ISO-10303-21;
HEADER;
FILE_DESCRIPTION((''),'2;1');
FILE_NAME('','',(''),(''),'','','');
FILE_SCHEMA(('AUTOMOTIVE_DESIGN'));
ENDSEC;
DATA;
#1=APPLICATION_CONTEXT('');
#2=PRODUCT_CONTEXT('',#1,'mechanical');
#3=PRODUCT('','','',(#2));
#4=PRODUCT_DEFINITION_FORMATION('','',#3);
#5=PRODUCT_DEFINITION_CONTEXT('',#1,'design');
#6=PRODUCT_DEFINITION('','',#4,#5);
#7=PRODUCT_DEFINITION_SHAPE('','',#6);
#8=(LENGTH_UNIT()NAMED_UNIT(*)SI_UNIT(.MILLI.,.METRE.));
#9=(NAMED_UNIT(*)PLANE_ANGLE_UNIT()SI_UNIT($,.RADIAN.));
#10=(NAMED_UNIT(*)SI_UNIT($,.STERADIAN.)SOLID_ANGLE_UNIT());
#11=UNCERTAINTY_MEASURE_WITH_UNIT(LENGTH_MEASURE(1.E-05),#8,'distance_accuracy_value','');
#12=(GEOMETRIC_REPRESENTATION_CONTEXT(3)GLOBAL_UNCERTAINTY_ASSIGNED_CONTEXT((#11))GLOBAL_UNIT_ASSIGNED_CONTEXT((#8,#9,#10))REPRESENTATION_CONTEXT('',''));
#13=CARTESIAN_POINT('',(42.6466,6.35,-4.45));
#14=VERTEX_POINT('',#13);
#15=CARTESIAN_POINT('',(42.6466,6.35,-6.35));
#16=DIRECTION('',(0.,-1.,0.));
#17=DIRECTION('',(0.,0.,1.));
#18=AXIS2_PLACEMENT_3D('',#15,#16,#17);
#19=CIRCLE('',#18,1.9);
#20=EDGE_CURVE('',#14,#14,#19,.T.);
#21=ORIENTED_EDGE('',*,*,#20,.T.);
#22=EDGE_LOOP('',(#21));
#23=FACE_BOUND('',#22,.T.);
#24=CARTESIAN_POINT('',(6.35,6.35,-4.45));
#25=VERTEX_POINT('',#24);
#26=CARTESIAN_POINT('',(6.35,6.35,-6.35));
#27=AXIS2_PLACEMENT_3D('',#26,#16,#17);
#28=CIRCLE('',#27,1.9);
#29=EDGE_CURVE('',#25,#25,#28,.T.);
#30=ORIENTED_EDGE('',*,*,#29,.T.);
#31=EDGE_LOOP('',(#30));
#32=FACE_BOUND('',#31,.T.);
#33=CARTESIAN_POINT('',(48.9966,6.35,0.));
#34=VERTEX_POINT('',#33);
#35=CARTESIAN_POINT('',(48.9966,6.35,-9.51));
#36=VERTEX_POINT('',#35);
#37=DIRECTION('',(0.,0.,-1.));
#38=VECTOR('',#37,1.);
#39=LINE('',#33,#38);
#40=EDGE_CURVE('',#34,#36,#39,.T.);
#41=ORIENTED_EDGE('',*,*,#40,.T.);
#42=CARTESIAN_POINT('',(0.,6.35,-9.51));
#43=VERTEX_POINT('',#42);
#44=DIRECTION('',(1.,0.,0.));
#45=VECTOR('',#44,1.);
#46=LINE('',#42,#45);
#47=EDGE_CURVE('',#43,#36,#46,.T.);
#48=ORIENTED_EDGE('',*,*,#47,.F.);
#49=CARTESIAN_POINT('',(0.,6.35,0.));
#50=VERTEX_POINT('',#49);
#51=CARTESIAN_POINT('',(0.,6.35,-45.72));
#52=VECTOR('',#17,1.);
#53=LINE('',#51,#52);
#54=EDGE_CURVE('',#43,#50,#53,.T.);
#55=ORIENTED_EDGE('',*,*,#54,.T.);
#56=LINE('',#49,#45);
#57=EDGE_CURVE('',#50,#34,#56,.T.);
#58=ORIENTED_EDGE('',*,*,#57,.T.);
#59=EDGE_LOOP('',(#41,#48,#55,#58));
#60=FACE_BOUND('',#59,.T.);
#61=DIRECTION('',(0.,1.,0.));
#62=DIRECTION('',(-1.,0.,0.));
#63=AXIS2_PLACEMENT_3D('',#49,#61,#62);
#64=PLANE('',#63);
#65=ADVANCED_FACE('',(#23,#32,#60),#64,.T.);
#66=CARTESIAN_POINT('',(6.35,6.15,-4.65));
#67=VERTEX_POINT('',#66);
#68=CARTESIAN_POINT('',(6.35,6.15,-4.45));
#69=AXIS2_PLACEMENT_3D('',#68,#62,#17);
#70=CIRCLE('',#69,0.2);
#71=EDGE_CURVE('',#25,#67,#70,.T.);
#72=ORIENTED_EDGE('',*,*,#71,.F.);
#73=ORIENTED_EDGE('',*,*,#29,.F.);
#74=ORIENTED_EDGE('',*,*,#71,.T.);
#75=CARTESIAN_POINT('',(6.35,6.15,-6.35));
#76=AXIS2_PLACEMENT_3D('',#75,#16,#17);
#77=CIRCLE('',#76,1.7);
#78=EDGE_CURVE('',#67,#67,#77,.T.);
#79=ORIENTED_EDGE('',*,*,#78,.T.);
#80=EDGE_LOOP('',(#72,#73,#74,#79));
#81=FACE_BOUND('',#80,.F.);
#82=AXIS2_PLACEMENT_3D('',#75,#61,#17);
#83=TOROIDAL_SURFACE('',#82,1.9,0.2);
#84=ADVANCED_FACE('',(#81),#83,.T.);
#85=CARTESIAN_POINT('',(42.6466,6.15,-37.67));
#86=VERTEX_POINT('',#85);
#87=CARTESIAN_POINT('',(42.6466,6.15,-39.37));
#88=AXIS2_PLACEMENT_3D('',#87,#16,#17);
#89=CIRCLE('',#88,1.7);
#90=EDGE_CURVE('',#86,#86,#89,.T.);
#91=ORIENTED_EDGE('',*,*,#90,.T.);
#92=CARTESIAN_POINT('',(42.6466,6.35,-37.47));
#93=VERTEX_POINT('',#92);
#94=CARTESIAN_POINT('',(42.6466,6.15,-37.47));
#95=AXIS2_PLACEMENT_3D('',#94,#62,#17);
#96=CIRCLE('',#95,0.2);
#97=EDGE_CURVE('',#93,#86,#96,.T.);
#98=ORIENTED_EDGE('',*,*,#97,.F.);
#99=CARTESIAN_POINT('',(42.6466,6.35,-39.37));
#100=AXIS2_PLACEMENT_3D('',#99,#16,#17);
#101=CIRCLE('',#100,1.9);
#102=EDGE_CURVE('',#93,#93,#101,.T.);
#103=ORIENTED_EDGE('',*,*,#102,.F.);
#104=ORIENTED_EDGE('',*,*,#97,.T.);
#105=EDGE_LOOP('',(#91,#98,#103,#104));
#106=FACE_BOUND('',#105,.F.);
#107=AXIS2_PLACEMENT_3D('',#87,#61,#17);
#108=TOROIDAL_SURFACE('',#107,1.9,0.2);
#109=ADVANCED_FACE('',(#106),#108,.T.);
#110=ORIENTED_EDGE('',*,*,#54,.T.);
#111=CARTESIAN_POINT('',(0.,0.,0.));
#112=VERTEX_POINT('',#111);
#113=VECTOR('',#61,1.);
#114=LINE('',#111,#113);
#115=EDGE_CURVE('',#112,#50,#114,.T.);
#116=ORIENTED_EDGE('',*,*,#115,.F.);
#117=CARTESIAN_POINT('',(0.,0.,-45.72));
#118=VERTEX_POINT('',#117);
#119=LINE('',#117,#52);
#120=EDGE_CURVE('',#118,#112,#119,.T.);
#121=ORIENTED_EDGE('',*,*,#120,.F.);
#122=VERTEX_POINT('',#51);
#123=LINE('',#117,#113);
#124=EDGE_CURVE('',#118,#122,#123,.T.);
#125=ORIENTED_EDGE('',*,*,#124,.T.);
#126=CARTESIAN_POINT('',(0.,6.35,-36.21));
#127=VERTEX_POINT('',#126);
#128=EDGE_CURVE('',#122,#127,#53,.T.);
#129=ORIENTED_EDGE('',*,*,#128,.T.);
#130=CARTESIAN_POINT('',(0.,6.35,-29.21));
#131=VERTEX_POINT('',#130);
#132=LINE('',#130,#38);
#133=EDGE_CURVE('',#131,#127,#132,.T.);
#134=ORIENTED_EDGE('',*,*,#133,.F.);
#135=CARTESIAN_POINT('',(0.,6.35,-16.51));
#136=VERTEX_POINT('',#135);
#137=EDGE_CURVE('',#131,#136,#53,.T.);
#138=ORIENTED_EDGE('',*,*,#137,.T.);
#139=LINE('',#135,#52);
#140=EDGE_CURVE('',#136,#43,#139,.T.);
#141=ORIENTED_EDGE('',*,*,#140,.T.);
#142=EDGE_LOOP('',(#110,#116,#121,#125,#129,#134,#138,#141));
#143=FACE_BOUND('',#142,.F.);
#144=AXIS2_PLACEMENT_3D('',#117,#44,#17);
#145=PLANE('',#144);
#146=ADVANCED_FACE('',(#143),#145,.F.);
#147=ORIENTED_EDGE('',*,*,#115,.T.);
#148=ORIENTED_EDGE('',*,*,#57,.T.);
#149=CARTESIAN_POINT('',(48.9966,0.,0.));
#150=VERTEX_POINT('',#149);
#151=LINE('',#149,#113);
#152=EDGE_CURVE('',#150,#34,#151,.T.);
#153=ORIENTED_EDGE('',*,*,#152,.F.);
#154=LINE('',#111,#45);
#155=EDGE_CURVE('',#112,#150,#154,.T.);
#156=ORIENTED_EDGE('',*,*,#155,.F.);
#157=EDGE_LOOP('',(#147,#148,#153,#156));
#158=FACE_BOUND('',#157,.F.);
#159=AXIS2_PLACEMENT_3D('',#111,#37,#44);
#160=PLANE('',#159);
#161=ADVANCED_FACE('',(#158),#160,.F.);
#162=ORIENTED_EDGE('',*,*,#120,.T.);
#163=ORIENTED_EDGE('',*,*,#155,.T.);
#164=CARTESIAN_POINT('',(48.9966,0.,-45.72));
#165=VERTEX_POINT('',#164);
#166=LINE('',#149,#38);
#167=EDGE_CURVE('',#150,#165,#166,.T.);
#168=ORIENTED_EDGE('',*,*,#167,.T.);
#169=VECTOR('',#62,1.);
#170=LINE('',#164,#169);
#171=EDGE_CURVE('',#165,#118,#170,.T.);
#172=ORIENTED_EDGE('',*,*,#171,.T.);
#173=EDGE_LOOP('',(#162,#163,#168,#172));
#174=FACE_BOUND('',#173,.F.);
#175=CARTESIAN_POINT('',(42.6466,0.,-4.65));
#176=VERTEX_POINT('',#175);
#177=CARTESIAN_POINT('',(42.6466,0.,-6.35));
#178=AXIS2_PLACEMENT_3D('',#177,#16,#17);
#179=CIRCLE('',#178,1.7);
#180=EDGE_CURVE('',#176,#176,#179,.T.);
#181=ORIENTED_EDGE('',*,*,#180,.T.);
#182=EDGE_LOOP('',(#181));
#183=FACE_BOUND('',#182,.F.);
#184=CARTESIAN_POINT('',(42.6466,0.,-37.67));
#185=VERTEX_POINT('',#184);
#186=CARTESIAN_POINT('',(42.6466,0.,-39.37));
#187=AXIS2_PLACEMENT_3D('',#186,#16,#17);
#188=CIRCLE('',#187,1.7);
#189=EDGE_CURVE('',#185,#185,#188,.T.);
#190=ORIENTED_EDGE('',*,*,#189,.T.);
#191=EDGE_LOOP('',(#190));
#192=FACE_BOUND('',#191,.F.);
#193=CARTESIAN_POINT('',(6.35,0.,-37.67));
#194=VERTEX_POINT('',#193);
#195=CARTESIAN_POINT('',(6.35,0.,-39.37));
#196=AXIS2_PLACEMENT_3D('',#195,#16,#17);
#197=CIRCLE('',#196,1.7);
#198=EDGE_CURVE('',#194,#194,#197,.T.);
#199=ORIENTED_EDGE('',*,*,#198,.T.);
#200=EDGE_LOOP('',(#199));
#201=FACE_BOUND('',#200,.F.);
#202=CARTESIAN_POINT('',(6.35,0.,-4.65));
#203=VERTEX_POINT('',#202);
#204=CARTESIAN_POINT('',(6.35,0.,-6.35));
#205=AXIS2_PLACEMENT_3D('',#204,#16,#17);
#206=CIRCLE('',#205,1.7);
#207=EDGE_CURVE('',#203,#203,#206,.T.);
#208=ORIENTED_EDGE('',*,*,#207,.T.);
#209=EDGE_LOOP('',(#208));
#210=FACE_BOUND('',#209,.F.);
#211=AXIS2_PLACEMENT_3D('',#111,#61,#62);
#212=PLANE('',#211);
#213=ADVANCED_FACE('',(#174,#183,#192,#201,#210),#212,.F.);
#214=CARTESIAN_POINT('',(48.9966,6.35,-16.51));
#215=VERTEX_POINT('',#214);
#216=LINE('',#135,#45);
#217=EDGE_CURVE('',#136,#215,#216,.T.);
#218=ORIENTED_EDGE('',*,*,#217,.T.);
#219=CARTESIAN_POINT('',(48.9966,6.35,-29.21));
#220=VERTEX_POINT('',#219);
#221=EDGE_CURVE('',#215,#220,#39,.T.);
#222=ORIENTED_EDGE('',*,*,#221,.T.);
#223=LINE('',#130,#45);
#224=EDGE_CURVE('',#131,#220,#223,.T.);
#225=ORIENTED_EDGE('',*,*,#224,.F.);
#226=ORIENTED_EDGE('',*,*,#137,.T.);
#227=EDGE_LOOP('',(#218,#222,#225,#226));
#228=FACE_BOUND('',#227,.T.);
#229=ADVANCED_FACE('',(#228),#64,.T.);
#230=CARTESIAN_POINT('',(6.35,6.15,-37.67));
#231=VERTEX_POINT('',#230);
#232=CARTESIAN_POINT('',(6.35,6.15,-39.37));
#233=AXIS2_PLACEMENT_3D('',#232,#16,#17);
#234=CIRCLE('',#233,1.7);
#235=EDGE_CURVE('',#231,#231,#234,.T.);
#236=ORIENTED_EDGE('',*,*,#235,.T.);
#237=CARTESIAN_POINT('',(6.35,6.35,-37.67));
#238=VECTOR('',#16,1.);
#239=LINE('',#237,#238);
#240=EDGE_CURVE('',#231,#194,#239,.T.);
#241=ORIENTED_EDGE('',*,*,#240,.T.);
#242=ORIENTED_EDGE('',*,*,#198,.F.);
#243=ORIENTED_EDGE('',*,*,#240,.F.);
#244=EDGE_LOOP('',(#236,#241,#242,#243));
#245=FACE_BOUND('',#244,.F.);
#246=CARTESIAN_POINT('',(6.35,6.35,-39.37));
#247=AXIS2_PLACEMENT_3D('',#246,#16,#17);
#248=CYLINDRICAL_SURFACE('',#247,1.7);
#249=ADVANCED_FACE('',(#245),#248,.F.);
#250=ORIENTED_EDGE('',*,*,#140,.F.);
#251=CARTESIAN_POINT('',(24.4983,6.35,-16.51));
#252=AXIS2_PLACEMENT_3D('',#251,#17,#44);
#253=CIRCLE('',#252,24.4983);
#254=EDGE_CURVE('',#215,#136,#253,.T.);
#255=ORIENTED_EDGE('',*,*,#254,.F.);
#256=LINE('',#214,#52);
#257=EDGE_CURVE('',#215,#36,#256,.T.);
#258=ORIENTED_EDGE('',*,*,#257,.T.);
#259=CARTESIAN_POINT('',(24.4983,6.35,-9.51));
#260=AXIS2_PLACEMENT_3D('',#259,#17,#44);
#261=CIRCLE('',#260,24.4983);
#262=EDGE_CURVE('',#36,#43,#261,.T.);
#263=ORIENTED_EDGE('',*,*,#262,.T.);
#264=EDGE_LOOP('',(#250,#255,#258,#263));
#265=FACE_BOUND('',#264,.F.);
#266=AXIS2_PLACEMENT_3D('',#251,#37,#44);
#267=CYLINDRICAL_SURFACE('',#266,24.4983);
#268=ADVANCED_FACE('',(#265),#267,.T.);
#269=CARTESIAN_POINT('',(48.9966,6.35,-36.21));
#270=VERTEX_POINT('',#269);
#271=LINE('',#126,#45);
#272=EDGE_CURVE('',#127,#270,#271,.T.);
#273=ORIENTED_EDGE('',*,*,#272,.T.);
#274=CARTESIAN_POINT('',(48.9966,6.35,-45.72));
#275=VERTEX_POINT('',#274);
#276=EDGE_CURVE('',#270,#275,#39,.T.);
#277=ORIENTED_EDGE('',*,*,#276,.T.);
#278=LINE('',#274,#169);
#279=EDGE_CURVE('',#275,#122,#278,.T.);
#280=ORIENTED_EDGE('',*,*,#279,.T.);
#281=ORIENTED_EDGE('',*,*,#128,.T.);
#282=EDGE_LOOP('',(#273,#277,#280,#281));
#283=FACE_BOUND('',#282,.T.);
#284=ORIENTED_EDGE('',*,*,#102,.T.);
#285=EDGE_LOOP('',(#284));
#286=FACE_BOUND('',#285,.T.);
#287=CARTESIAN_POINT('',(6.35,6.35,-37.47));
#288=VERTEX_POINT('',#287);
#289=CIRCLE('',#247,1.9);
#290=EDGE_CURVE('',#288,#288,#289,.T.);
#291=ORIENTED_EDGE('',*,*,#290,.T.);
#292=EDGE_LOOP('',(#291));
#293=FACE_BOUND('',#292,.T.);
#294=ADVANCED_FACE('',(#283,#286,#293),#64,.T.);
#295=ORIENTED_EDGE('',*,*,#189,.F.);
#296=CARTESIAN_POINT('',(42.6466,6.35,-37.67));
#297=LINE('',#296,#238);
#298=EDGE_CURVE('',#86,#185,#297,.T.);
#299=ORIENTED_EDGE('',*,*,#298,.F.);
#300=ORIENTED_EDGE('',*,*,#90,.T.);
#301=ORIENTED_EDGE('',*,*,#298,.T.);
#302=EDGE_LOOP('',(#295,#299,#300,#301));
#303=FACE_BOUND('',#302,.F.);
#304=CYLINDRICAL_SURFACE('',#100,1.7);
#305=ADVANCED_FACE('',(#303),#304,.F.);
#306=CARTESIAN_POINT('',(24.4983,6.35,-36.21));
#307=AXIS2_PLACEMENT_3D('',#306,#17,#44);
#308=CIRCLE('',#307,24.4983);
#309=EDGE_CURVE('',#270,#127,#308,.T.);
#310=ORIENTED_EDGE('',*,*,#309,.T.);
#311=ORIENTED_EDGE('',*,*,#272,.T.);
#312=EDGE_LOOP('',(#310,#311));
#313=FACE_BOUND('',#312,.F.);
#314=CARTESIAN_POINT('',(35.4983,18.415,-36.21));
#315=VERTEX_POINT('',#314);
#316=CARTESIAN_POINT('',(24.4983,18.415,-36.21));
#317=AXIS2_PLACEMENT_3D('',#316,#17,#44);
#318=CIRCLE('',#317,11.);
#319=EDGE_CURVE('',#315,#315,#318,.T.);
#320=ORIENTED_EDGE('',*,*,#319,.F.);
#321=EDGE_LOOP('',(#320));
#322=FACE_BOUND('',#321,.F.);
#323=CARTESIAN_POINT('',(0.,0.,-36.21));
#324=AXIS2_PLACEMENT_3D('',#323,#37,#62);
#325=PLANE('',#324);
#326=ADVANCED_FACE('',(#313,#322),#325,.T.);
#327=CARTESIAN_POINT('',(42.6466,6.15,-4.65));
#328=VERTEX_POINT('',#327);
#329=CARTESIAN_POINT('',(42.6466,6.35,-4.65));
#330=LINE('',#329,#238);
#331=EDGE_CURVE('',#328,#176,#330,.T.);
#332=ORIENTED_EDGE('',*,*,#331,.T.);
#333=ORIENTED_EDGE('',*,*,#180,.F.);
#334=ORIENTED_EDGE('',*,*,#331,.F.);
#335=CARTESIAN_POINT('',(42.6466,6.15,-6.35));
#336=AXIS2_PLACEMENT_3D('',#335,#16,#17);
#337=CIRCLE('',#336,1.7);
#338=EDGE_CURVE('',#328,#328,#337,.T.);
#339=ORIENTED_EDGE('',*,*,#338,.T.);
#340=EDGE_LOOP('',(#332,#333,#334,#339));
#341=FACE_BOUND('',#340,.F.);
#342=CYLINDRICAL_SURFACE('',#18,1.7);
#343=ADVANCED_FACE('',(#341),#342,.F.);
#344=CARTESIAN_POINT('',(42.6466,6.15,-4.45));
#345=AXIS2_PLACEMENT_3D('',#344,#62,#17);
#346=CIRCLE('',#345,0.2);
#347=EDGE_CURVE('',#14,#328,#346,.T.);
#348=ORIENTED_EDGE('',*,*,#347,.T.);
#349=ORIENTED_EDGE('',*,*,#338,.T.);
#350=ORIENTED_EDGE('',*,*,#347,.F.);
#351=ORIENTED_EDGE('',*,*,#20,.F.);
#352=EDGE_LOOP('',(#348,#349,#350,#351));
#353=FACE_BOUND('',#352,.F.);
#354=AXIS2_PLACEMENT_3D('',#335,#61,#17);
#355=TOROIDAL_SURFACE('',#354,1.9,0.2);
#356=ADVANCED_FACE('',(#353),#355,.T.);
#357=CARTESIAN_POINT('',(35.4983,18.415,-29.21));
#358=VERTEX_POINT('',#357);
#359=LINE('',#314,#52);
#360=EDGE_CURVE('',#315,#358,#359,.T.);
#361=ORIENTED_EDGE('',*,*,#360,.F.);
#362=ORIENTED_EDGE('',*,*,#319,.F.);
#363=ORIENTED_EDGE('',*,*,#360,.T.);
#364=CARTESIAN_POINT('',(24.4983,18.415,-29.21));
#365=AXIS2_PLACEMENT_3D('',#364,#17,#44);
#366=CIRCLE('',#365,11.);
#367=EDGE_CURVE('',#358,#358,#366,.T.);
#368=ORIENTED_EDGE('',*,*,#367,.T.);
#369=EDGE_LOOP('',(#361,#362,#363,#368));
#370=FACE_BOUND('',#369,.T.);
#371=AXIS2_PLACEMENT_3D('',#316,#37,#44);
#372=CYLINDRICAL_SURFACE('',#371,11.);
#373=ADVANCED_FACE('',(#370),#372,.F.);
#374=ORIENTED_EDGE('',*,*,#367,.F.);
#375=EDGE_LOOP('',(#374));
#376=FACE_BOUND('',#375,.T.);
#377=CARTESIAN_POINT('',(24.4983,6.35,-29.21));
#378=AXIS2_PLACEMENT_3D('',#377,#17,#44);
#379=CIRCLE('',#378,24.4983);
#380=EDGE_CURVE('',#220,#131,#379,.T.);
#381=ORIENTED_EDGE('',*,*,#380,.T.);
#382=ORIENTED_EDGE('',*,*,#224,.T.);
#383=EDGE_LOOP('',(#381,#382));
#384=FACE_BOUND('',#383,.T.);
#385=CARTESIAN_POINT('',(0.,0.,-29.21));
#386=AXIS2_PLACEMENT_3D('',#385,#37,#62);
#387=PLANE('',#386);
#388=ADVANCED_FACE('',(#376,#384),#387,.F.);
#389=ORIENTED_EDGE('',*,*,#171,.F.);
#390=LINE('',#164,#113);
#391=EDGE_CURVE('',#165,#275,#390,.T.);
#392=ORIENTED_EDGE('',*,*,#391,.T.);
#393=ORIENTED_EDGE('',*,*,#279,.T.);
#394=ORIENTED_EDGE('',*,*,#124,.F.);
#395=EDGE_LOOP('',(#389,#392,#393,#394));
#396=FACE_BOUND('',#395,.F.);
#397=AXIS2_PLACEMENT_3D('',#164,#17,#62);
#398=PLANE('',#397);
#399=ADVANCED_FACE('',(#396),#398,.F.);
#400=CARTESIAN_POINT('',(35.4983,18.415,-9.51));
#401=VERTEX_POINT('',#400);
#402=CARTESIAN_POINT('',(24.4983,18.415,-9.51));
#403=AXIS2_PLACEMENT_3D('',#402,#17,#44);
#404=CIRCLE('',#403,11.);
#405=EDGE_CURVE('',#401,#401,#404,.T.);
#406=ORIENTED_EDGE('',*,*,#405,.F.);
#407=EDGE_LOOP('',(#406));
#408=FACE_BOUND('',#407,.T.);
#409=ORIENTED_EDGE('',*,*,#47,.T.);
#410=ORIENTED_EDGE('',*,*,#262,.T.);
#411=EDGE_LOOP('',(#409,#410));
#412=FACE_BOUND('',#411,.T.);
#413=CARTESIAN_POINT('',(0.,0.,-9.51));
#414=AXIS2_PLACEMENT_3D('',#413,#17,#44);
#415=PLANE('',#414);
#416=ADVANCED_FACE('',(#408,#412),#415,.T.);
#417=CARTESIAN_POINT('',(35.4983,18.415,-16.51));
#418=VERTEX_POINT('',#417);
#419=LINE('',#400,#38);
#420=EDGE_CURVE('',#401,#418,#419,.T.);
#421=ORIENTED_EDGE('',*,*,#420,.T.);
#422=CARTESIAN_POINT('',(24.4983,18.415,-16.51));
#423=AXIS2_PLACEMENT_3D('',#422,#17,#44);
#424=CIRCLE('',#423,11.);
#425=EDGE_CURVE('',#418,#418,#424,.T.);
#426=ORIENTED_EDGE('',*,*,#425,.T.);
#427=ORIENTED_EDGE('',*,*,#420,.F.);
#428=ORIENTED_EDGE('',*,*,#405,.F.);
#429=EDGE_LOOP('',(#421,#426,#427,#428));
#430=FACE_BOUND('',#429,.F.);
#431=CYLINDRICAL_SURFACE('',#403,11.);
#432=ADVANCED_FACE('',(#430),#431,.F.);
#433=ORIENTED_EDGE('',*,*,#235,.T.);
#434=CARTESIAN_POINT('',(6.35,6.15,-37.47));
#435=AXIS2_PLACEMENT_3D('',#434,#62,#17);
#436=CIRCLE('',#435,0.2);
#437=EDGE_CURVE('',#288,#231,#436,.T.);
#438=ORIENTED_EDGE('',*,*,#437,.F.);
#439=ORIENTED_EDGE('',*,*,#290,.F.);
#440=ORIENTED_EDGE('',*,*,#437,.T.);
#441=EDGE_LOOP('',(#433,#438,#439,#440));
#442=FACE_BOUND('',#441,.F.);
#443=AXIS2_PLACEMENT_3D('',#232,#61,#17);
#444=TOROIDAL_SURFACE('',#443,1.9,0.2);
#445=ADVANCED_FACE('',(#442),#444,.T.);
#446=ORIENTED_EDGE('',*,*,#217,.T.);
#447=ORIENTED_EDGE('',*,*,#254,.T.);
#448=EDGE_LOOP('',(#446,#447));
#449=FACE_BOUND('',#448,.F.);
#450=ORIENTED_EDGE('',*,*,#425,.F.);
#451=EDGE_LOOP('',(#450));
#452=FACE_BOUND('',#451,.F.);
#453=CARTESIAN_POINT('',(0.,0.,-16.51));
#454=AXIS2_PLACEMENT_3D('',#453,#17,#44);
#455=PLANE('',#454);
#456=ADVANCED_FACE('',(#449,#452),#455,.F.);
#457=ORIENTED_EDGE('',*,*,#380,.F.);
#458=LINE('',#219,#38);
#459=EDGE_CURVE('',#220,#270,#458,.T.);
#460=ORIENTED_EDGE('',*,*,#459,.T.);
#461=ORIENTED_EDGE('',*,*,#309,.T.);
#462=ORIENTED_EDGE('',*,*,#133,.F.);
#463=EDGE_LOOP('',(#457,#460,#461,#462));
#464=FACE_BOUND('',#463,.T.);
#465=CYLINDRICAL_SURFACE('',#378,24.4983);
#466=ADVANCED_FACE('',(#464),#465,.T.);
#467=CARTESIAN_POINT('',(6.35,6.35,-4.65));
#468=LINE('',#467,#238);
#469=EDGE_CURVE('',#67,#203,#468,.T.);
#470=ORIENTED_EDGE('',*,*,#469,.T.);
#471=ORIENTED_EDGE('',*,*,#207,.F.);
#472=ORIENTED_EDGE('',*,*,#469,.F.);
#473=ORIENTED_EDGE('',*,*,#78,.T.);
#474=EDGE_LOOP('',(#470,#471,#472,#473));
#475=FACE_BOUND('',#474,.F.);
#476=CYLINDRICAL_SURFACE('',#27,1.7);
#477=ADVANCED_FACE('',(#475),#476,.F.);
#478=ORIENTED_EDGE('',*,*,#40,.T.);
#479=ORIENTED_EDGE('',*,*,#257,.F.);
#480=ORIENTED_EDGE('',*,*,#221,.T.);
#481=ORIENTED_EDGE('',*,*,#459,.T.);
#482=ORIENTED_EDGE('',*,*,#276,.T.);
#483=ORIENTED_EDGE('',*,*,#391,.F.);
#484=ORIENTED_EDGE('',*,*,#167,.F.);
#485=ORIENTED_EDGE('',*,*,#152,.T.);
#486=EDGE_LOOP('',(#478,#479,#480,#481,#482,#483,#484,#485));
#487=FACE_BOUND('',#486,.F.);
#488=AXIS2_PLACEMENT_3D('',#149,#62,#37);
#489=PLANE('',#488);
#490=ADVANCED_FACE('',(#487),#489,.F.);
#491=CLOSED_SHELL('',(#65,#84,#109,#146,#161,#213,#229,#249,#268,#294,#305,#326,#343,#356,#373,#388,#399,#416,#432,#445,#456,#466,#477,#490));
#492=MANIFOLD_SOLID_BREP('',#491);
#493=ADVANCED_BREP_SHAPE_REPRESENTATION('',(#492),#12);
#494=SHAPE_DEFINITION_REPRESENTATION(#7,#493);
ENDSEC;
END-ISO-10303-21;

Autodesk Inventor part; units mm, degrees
ref_plane "YZ Plane" through (0, 0, 0) normal (1, 0, 0) x (0, 1, 0)
sketch "Sketch1" plane through (0, 0, 0) normal (0, 1, 0) x (-1, 0, 0)
  line L0 (0, 0) -> (-48.9966, 0)
  line L1 (-48.9966, 0) -> (-48.9966, -45.72)
  line L2 (-48.9966, -45.72) -> (0, -45.72)
  line L3 (0, -45.72) -> (0, 0)
  dimension "d0" = 48.9966
  dimension "d1" = 45.72
extrude "Extrusion1" add sketch "Sketch1" along normal blind 6.35
sketch "Sketch3" plane through (0, 6.35, 0) normal (0, 1, 0) x (1, 0, 0)
  line L0 (0, 45.72) -> (0, 0) projected
  line L1 (48.9966, 0) -> (48.9966, 45.72) projected
  line L2 (0, 29.21) -> (48.9966, 29.21)
  line L3 (48.9966, 29.21) -> (48.9966, 16.51)
  line L4 (48.9966, 16.51) -> (0, 16.51)
  line L5 (0, 16.51) -> (0, 29.21)
  line L6 (48.9966, 45.72) -> (0, 45.72) projected
  dimension "d4" = 12.7
  dimension "d5" = 16.51
sketch "Sketch4" plane through (0, 6.35, 0) normal (0, 1, 0) x (1, 0, 0)
  circle A0 centre (6.35, 39.37) radius 2.1364
  circle A1 centre (42.6466, 39.37) radius 3.0733
  line L0 (48.9966, 45.72) -> (0, 45.72) projected
  line L1 (48.9966, 0) -> (48.9966, 45.72) projected
  line L2 (0, 45.72) -> (0, 0) projected
  circle A2 centre (6.35, 6.35) radius 2.2799
  circle A3 centre (42.6466, 6.35) radius 1.194
  line L3 (0, 0) -> (48.9966, 0) projected
  dimension "d6" = 6.1465
  dimension "d7" = 6.35
  dimension "d8" = 6.35
  dimension "d9" = 6.35
  dimension "d10" = 6.35
  dimension "d11" = 6.35
  dimension "d12" = 6.35
  dimension "d13" = 6.35
  dimension "d14" = 6.35
hole "Hole1" at (6.35, 6.35, -39.37) at (42.6466, 6.35, -39.37) at (42.6466, 6.35, -6.35) at (6.35, 6.35, -6.35) direction (0, -1, 0) diameter 3.4 depth 10 tip angle 118 clearance for "Socket Head Cap Screw" size "M3" standard "Ansi Metric M Profile"
fillet "Fillet1" radius 0.2 4 edges at (42.6466, 6.35, -41.07) (6.35, 6.35, -41.07) (42.6466, 6.35, -8.05) (6.35, 6.35, -8.05)
ref_plane "Work Plane1" through (0, 0, -16.51) normal (0, 0, 1) x (1, 0, 0)
sketch "Sketch5" plane through (0, 0, -16.51) normal (0, 0, 1) x (1, 0, 0)
  line L0 (0, 6.35) -> (48.9966, 6.35)
  line L1 (48.9966, 6.35) -> (0, 6.35) projected
  arc A0 (48.9966, 6.35) -> (0, 6.35) centre (24.4983, 6.35) ccw
  point P0 (0, 0)
extrude "Extrusion2" add sketch "Sketch5" along normal blind 7
ref_plane "Work Plane2" through (0, 0, -22.86) normal (0, 0, 1) x (1, 0, 0)
mirror "Mirror1" about plane through (0, 0, -22.86) normal (0, 0, 1) of "Extrusion2"
sketch "Sketch6" plane through (0, 0, -9.51) normal (0, 0, 1) x (1, 0, 0)
  circle A0 centre (24.4983, 18.415) radius 11
  line L0 (0, 6.35) -> (48.9966, 6.35) projected
  point P0 (0, 0)
  point P1 (24.4983, 6.35)
  point P2 (24.4983, 6.35)
  dimension "d27" = 12.065
  dimension "d28" = 22
extrude "Extrusion3" cut sketch "Sketch6" against normal up to surface (7 mm away)
mirror "Mirror2" about plane through (0, 0, -22.86) normal (0, 0, 1) of "Extrusion3"
properties part number "Carriage Top Second Option" material "Aluminum 6061"
